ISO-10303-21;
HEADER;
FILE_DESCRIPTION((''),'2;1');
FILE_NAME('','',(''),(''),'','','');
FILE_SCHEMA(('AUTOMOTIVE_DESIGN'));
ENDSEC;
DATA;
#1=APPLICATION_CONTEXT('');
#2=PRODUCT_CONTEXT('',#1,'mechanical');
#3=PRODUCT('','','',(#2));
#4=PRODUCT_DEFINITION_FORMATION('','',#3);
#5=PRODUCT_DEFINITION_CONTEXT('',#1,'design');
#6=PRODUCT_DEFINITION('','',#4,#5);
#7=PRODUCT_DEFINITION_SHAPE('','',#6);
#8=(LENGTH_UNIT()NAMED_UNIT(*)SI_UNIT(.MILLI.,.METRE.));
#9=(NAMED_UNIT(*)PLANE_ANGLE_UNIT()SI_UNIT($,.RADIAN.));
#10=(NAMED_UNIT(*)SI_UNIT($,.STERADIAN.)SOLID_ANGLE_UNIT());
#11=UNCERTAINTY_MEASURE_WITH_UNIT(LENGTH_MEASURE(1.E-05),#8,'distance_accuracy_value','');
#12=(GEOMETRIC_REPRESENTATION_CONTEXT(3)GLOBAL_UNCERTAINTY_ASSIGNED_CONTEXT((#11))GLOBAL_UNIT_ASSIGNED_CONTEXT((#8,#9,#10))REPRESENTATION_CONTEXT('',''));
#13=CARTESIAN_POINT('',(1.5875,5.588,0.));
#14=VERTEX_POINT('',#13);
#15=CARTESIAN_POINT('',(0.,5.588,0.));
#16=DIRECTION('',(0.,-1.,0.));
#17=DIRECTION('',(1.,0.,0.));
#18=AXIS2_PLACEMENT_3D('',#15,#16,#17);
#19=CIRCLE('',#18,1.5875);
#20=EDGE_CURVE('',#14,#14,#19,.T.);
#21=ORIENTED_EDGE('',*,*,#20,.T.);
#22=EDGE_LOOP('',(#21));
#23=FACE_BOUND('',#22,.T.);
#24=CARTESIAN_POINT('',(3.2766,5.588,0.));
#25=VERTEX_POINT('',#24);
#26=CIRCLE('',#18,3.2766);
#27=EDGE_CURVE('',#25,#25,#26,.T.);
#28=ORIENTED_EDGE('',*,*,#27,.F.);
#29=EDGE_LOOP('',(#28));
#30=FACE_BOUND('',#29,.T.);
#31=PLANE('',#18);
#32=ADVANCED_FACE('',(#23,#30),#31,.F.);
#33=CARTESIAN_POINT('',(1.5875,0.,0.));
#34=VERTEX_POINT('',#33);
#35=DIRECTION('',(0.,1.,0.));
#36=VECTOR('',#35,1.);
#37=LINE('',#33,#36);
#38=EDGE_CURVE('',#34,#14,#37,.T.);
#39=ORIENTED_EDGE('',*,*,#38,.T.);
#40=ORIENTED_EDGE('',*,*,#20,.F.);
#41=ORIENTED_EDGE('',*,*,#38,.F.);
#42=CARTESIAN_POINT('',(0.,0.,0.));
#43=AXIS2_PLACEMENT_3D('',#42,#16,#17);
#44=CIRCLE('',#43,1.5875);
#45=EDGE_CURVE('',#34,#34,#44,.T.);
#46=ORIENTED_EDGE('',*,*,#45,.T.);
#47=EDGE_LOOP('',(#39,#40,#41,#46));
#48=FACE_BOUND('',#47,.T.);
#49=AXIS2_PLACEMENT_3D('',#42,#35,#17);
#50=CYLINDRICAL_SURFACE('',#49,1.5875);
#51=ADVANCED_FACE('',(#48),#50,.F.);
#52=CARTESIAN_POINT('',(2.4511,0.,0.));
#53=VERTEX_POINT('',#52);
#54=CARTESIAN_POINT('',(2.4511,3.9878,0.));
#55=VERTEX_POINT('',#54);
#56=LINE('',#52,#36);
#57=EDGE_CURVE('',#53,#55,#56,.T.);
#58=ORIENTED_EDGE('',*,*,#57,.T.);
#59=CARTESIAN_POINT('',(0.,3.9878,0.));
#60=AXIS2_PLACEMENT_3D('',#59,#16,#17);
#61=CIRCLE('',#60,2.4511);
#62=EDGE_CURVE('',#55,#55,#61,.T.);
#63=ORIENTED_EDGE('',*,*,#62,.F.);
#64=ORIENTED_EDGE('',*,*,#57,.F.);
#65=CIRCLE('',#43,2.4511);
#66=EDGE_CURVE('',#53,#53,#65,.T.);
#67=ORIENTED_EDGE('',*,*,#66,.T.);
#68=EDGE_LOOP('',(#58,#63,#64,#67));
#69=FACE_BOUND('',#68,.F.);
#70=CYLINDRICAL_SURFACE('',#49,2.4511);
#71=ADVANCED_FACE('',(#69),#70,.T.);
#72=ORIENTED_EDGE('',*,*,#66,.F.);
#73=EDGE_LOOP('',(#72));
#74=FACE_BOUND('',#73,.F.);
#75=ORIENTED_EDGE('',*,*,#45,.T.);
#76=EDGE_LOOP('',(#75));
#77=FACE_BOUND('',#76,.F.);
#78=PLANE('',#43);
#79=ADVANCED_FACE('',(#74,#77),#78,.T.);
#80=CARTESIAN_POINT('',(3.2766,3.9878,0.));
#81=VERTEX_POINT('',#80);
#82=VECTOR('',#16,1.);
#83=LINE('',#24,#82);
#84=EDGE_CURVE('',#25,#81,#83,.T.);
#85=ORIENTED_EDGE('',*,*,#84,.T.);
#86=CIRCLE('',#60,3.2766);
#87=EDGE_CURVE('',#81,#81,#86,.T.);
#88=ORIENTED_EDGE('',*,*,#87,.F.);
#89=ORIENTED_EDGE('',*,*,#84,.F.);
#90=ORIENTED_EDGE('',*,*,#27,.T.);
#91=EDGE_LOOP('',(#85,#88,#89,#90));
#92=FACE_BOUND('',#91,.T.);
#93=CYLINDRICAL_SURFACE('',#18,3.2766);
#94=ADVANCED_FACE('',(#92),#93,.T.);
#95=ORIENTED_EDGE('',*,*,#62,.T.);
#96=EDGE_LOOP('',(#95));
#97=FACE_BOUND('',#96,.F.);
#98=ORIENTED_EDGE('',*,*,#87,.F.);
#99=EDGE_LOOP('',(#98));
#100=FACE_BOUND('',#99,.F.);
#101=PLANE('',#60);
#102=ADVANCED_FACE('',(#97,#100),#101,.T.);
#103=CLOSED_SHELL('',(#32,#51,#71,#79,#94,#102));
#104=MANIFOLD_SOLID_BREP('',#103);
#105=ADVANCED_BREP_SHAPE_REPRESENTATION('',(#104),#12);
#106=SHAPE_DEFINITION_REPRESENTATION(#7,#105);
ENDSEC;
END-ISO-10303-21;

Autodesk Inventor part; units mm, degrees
ref_plane "YZ Plane" through (0, 0, 0) normal (1, 0, 0) x (0, 1, 0)
ref_plane "XZ Plane" through (0, 0, 0) normal (0, 1, 0) x (-1, 0, 0)
ref_plane "XY Plane" through (0, 0, 0) normal (0, 0, 1) x (1, 0, 0)
sketch "Sketch1" plane through (0, 0, 0) normal (0, 1, 0) x (-1, 0, 0)
  point P0 (0, 0)
sketch "Sketch2" plane through (0, 0, 0) normal (0, 0, 1) x (1, 0, 0)
  line L0 (0, 0) -> (1.5875, 0)
  line L1 (0, 0) -> (1.5875, 0) construction
  line L2 (1.5875, 0) -> (1.5875, 5.588)
  line L3 (1.5875, 5.588) -> (0, 5.588)
  line L4 (0, 5.588) -> (3.2766, 5.588)
  line L5 (0, 0) -> (0, 3.9878)
  line L6 (0, 0) -> (3.9878, 0) construction
  line L7 (0, 3.9878) -> (3.2766, 3.9878)
  line L8 (0, 5.588) -> (0, 3.9878)
  line L9 (3.2766, 5.588) -> (3.2766, 3.9878)
  line L10 (0, 0) -> (2.4511, 0)
  line L11 (2.4511, 0) -> (2.4511, 3.9878)
  dimension "d0" = 1.5875
  dimension "d1" = 0
  dimension "d2" = 5.588
  dimension "d3" = 3.2766
  dimension "d4" = 3.9878
  dimension "d5" = 90
  dimension "d6" = 2.4511
sketch "Sketch3" plane through (0, 0, 0) normal (1, 0, 0) x (0, 1, 0)
  line L0 (4.9949, 0) -> (0, 0)
revolve "Revolution1" add sketch "Sketch2" angle 360 about axis through (0, 5.588, 0) along (0, -1, 0) contours L2 L7 L11 L10 | L2 L4 L9 L7
properties part number "square eyelet"
